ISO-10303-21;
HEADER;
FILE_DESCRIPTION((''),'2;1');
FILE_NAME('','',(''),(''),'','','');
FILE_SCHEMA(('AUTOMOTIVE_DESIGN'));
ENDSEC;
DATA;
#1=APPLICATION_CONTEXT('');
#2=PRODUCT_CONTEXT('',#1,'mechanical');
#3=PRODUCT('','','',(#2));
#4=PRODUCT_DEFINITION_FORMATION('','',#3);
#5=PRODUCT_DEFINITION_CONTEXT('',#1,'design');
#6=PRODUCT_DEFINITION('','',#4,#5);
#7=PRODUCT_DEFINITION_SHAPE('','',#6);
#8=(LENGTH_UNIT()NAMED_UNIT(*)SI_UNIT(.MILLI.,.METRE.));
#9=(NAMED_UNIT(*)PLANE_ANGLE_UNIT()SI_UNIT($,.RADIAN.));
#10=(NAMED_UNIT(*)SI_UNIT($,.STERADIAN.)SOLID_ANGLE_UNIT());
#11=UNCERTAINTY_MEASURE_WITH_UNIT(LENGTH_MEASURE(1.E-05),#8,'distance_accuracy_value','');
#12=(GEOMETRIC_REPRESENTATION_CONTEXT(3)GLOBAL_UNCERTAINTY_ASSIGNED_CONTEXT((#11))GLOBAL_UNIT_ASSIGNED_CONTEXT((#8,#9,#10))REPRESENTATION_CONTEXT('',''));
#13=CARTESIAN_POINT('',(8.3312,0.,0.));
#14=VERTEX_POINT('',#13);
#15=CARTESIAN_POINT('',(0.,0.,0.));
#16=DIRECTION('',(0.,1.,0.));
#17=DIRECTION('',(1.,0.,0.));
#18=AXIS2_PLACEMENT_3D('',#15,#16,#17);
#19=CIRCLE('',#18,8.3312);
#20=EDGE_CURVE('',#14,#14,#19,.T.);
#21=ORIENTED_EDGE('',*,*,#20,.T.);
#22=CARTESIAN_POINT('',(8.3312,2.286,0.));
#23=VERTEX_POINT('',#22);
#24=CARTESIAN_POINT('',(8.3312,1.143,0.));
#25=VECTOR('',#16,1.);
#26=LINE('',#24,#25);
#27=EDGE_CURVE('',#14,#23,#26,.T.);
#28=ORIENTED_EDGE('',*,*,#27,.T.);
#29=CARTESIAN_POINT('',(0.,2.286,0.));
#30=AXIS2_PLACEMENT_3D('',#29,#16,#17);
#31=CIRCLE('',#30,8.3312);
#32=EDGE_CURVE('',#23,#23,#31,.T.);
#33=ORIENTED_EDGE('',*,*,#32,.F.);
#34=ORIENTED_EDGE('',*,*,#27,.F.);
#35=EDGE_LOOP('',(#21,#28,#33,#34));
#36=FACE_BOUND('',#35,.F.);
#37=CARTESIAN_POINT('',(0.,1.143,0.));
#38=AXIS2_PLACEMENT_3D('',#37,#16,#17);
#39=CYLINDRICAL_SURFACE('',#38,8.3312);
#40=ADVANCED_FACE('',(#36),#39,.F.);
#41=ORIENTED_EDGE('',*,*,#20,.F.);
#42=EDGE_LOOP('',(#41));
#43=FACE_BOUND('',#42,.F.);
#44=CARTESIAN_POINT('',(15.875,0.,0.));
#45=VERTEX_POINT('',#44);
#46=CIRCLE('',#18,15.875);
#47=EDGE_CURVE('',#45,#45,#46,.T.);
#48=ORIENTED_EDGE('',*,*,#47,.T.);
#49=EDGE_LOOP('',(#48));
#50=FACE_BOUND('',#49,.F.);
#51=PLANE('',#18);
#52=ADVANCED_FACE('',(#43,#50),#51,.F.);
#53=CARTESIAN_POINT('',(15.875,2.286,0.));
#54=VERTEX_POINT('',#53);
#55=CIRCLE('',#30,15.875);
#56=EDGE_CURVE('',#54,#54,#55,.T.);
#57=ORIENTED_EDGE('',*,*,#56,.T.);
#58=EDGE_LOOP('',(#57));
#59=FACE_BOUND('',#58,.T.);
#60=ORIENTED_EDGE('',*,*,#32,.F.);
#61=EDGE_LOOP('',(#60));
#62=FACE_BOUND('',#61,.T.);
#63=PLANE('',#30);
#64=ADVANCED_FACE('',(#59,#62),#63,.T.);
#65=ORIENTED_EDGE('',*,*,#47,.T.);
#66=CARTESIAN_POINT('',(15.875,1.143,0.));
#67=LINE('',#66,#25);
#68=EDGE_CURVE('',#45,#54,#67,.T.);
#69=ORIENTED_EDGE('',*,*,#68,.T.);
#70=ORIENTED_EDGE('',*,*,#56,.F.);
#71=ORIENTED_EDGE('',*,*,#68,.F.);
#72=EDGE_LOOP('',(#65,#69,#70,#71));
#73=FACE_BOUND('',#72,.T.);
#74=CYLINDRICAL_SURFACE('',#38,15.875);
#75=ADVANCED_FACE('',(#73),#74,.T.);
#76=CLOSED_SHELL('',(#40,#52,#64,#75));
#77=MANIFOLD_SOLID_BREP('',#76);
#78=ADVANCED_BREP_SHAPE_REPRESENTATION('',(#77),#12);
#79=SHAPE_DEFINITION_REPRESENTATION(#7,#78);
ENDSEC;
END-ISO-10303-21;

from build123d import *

# Parameters (mm, degrees)
SKETCH1_W = 7.5438
SKETCH1_H = 2.286


with BuildPart() as part:
    # Sketch1 → Revolve1 (revolve)
    with BuildSketch(Plane(origin=(0, 0, 0), x_dir=(-1, 0, 0), z_dir=(0, 0, -1))):
        with Locations((-12.1031, 1.143)):
            Rectangle(SKETCH1_W, SKETCH1_H)
    revolve(axis=Axis((0, 0, 0), (0, 1, 0)))


solid = part.part
